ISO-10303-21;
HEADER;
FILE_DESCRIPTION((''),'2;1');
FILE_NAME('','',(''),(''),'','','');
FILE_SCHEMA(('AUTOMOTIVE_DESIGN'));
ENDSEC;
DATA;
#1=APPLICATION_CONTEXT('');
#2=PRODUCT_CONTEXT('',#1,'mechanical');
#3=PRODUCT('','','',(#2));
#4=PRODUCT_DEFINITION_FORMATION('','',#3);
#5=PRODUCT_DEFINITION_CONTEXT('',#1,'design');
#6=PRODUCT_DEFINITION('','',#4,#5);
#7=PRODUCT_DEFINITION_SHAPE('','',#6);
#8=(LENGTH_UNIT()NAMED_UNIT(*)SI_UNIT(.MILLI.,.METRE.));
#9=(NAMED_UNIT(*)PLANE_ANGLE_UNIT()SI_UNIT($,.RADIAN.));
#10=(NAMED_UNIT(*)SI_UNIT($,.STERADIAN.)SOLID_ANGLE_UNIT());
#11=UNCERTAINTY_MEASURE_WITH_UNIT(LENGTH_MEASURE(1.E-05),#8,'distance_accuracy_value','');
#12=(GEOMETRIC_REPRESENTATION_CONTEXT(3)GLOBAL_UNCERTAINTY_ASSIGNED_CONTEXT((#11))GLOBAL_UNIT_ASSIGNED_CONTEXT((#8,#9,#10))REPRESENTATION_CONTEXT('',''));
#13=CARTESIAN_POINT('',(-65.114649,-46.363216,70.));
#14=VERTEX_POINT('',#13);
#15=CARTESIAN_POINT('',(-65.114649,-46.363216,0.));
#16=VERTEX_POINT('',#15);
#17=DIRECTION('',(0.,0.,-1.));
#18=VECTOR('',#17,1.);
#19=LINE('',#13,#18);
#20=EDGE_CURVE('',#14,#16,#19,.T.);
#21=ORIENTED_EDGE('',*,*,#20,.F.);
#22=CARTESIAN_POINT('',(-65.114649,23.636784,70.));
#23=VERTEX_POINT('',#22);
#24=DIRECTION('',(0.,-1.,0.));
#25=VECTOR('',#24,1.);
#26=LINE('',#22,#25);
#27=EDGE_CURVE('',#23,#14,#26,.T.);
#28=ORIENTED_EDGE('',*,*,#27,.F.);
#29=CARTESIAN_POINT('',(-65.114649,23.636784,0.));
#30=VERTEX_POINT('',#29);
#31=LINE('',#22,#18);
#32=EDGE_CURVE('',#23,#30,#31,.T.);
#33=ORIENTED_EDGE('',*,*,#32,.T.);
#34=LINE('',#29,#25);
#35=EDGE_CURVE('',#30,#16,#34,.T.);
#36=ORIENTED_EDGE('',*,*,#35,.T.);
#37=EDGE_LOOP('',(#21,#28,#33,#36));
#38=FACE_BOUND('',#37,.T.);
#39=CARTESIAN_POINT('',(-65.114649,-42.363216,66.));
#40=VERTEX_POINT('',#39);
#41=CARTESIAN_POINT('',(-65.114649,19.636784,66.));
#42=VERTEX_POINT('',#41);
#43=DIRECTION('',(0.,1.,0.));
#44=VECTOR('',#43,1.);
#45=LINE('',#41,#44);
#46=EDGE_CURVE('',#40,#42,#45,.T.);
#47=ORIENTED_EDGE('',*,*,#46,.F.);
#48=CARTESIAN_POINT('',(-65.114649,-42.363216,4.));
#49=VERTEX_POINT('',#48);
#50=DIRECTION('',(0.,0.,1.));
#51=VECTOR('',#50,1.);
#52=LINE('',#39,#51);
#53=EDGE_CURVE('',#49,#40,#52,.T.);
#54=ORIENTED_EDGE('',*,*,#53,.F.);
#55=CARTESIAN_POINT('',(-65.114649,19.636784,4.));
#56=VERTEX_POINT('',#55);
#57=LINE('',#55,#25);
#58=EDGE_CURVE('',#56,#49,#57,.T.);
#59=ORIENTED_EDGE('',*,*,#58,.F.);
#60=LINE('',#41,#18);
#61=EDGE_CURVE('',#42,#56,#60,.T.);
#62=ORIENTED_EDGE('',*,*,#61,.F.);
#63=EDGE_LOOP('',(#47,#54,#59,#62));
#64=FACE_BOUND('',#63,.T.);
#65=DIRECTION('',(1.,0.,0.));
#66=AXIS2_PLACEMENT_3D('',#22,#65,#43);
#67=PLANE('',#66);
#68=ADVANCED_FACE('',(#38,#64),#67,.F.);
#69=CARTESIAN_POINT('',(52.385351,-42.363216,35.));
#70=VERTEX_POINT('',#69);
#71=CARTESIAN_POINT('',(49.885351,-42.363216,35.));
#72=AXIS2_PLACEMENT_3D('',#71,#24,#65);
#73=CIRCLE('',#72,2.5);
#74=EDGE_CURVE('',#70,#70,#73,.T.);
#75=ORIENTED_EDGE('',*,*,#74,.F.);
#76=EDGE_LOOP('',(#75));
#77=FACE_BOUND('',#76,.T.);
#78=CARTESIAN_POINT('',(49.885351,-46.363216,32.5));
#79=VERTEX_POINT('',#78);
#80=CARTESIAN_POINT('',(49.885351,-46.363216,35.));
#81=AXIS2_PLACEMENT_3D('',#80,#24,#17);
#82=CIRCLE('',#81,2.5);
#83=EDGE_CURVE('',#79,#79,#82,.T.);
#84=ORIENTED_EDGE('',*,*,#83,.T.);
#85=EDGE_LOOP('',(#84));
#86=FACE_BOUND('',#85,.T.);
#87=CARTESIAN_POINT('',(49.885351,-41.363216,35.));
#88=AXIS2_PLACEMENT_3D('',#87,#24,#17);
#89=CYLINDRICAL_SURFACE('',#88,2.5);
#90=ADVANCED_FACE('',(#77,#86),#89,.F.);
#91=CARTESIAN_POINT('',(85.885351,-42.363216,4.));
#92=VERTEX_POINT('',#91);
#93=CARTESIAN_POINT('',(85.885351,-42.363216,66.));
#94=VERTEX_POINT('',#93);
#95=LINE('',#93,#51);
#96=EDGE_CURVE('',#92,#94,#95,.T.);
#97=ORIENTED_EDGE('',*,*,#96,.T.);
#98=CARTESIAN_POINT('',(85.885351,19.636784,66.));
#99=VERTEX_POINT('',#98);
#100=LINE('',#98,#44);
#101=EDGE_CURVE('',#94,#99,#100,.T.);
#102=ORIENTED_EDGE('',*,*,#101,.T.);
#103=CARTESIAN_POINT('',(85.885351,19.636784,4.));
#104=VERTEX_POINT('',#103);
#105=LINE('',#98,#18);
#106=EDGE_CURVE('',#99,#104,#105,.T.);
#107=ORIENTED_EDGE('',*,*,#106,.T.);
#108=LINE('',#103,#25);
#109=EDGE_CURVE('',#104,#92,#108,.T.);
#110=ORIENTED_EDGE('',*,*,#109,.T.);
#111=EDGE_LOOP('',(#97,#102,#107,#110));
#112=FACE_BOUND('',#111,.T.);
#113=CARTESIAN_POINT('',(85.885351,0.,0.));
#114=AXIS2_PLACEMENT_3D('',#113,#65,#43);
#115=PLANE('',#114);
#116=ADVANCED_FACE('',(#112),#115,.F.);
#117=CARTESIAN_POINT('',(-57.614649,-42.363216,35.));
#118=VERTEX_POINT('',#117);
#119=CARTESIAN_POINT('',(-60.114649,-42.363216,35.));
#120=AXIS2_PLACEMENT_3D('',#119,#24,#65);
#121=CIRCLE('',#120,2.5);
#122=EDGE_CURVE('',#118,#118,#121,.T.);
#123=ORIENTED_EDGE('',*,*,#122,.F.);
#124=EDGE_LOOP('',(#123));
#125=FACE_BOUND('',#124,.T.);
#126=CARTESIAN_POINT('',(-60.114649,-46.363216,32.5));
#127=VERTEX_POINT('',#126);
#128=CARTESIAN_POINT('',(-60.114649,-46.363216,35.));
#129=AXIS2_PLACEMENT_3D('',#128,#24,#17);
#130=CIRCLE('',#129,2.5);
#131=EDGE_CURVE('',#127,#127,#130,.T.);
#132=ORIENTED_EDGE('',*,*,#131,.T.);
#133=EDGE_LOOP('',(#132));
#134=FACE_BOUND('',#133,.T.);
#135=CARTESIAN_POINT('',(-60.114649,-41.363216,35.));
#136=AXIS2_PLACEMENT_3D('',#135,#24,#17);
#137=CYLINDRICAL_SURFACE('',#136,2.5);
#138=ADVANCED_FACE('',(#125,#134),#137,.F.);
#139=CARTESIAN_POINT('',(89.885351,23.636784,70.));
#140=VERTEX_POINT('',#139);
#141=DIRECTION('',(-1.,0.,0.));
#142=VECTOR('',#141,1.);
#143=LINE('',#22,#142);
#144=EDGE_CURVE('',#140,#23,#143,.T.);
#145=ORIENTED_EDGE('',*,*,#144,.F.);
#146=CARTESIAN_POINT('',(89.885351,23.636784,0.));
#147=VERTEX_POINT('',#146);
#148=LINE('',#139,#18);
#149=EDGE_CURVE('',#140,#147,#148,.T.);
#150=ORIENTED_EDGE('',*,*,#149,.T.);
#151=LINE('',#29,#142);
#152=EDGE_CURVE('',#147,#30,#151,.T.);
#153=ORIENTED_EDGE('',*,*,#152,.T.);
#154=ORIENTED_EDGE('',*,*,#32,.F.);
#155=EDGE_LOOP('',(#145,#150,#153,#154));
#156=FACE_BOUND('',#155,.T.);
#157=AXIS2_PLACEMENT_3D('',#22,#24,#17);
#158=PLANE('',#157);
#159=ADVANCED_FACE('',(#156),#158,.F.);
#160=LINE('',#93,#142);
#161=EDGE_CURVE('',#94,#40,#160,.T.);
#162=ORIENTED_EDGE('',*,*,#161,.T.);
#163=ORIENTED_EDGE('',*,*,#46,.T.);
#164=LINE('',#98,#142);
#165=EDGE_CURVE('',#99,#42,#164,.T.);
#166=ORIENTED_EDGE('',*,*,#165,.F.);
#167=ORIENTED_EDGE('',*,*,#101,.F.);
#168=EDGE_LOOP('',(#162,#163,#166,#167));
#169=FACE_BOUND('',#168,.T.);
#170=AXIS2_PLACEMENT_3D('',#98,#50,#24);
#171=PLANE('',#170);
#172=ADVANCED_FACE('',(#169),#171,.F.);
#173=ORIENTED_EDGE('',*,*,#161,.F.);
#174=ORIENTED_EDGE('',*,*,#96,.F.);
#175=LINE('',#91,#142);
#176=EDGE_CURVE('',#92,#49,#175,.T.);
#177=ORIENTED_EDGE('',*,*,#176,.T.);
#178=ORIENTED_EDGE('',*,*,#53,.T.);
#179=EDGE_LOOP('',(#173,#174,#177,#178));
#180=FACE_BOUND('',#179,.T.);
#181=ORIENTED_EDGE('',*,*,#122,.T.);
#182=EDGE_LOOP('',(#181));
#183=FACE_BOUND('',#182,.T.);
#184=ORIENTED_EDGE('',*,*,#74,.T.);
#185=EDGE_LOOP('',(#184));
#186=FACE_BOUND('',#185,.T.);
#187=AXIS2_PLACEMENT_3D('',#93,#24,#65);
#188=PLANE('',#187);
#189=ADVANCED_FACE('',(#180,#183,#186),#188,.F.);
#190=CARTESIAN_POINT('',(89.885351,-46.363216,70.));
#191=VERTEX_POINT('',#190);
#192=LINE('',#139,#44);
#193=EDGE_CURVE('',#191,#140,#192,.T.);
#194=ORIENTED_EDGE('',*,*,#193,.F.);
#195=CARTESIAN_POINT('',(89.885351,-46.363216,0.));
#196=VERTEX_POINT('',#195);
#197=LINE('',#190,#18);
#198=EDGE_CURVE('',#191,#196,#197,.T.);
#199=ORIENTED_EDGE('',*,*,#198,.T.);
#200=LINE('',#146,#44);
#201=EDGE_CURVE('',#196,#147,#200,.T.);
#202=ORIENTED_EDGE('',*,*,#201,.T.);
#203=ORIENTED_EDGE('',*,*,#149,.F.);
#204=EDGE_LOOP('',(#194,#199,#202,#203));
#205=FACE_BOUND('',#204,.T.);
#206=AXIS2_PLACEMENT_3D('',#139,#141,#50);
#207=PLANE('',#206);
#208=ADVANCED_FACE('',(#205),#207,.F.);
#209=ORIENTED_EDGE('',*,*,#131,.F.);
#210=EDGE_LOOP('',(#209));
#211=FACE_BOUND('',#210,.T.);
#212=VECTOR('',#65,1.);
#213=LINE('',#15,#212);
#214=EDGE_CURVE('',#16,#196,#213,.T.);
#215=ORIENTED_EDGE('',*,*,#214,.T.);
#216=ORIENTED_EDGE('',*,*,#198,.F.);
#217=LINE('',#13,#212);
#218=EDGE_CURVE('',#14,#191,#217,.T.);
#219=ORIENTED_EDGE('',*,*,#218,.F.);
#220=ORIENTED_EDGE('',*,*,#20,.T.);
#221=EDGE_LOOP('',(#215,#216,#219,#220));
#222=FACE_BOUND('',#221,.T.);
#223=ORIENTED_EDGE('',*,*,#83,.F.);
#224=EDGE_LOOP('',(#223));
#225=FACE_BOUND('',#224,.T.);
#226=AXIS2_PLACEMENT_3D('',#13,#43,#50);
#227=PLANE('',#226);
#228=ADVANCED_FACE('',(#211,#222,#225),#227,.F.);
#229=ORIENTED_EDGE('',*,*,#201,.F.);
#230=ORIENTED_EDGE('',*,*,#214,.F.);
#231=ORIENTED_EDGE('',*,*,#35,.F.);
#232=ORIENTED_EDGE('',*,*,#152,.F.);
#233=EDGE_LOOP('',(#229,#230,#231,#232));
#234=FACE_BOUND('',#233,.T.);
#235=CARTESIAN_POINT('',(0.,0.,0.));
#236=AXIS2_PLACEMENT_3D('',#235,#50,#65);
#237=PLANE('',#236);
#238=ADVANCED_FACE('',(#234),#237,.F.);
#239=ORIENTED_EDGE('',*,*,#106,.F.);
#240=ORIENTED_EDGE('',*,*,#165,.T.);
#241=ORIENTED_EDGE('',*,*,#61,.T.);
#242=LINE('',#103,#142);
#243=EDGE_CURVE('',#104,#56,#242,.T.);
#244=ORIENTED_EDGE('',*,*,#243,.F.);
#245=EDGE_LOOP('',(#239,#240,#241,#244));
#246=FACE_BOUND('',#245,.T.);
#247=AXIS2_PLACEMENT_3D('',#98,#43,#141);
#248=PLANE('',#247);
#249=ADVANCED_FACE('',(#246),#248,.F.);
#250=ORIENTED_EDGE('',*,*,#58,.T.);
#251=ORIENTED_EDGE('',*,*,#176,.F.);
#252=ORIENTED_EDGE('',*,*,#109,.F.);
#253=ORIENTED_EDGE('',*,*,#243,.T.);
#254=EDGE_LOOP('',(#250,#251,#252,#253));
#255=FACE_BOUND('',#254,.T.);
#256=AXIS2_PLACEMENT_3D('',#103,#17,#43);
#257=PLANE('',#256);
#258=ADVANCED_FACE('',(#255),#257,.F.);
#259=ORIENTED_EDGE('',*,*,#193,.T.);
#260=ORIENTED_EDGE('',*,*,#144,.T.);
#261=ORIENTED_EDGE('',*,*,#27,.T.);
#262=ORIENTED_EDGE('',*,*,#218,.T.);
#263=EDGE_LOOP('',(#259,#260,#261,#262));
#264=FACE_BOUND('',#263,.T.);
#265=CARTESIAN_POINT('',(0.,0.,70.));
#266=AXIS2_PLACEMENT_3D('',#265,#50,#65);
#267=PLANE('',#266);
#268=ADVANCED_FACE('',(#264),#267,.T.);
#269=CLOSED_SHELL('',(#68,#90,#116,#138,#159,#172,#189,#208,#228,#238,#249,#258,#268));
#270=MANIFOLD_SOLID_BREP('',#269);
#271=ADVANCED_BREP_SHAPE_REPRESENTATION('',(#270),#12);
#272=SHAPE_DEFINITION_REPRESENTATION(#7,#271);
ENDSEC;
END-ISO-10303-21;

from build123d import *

# Parameters (mm, degrees)
ESQUISSE1_W             = 155
ESQUISSE1_H             = 70
BOSS_EXTRU_1_DEPTH      = 70
ESQUISSE2_W             = 62
ESQUISSE2_H             = 62
ENL_V_MAT_EXTRU_1_DEPTH = 151
ESQUISSE3_R             = 2.5
ENL_V_MAT_EXTRU_2_DEPTH = 5


with BuildPart() as part:
    # Esquisse1 → Boss.-Extru.1 (new body)
    with BuildSketch(Plane.XY):
        with Locations((12.385350745, -11.363216266)):
            Rectangle(ESQUISSE1_W, ESQUISSE1_H)
    extrude(amount=BOSS_EXTRU_1_DEPTH)

    # Esquisse2 → Enlèv. mat.-Extru.1 (cut)
    with BuildSketch(Plane.ZY.offset(65.114649255)):
        with Locations((35, -11.363216266)):
            Rectangle(ESQUISSE2_W, ESQUISSE2_H)
    extrude(amount=-ENL_V_MAT_EXTRU_1_DEPTH, mode=Mode.SUBTRACT)

    # Esquisse3 → Enlèv. mat.-Extru.2 (cut)
    with BuildSketch(Plane.XZ.offset(46.363216266)):
        with Locations(Location((-60.114649255, 35, 0), (0, 0, 270))):
            Circle(ESQUISSE3_R)
        with Locations(Location((49.885350745, 35, 0), (0, 0, 270))):
            Circle(ESQUISSE3_R)
    extrude(amount=-ENL_V_MAT_EXTRU_2_DEPTH, mode=Mode.SUBTRACT)


solid = part.part
